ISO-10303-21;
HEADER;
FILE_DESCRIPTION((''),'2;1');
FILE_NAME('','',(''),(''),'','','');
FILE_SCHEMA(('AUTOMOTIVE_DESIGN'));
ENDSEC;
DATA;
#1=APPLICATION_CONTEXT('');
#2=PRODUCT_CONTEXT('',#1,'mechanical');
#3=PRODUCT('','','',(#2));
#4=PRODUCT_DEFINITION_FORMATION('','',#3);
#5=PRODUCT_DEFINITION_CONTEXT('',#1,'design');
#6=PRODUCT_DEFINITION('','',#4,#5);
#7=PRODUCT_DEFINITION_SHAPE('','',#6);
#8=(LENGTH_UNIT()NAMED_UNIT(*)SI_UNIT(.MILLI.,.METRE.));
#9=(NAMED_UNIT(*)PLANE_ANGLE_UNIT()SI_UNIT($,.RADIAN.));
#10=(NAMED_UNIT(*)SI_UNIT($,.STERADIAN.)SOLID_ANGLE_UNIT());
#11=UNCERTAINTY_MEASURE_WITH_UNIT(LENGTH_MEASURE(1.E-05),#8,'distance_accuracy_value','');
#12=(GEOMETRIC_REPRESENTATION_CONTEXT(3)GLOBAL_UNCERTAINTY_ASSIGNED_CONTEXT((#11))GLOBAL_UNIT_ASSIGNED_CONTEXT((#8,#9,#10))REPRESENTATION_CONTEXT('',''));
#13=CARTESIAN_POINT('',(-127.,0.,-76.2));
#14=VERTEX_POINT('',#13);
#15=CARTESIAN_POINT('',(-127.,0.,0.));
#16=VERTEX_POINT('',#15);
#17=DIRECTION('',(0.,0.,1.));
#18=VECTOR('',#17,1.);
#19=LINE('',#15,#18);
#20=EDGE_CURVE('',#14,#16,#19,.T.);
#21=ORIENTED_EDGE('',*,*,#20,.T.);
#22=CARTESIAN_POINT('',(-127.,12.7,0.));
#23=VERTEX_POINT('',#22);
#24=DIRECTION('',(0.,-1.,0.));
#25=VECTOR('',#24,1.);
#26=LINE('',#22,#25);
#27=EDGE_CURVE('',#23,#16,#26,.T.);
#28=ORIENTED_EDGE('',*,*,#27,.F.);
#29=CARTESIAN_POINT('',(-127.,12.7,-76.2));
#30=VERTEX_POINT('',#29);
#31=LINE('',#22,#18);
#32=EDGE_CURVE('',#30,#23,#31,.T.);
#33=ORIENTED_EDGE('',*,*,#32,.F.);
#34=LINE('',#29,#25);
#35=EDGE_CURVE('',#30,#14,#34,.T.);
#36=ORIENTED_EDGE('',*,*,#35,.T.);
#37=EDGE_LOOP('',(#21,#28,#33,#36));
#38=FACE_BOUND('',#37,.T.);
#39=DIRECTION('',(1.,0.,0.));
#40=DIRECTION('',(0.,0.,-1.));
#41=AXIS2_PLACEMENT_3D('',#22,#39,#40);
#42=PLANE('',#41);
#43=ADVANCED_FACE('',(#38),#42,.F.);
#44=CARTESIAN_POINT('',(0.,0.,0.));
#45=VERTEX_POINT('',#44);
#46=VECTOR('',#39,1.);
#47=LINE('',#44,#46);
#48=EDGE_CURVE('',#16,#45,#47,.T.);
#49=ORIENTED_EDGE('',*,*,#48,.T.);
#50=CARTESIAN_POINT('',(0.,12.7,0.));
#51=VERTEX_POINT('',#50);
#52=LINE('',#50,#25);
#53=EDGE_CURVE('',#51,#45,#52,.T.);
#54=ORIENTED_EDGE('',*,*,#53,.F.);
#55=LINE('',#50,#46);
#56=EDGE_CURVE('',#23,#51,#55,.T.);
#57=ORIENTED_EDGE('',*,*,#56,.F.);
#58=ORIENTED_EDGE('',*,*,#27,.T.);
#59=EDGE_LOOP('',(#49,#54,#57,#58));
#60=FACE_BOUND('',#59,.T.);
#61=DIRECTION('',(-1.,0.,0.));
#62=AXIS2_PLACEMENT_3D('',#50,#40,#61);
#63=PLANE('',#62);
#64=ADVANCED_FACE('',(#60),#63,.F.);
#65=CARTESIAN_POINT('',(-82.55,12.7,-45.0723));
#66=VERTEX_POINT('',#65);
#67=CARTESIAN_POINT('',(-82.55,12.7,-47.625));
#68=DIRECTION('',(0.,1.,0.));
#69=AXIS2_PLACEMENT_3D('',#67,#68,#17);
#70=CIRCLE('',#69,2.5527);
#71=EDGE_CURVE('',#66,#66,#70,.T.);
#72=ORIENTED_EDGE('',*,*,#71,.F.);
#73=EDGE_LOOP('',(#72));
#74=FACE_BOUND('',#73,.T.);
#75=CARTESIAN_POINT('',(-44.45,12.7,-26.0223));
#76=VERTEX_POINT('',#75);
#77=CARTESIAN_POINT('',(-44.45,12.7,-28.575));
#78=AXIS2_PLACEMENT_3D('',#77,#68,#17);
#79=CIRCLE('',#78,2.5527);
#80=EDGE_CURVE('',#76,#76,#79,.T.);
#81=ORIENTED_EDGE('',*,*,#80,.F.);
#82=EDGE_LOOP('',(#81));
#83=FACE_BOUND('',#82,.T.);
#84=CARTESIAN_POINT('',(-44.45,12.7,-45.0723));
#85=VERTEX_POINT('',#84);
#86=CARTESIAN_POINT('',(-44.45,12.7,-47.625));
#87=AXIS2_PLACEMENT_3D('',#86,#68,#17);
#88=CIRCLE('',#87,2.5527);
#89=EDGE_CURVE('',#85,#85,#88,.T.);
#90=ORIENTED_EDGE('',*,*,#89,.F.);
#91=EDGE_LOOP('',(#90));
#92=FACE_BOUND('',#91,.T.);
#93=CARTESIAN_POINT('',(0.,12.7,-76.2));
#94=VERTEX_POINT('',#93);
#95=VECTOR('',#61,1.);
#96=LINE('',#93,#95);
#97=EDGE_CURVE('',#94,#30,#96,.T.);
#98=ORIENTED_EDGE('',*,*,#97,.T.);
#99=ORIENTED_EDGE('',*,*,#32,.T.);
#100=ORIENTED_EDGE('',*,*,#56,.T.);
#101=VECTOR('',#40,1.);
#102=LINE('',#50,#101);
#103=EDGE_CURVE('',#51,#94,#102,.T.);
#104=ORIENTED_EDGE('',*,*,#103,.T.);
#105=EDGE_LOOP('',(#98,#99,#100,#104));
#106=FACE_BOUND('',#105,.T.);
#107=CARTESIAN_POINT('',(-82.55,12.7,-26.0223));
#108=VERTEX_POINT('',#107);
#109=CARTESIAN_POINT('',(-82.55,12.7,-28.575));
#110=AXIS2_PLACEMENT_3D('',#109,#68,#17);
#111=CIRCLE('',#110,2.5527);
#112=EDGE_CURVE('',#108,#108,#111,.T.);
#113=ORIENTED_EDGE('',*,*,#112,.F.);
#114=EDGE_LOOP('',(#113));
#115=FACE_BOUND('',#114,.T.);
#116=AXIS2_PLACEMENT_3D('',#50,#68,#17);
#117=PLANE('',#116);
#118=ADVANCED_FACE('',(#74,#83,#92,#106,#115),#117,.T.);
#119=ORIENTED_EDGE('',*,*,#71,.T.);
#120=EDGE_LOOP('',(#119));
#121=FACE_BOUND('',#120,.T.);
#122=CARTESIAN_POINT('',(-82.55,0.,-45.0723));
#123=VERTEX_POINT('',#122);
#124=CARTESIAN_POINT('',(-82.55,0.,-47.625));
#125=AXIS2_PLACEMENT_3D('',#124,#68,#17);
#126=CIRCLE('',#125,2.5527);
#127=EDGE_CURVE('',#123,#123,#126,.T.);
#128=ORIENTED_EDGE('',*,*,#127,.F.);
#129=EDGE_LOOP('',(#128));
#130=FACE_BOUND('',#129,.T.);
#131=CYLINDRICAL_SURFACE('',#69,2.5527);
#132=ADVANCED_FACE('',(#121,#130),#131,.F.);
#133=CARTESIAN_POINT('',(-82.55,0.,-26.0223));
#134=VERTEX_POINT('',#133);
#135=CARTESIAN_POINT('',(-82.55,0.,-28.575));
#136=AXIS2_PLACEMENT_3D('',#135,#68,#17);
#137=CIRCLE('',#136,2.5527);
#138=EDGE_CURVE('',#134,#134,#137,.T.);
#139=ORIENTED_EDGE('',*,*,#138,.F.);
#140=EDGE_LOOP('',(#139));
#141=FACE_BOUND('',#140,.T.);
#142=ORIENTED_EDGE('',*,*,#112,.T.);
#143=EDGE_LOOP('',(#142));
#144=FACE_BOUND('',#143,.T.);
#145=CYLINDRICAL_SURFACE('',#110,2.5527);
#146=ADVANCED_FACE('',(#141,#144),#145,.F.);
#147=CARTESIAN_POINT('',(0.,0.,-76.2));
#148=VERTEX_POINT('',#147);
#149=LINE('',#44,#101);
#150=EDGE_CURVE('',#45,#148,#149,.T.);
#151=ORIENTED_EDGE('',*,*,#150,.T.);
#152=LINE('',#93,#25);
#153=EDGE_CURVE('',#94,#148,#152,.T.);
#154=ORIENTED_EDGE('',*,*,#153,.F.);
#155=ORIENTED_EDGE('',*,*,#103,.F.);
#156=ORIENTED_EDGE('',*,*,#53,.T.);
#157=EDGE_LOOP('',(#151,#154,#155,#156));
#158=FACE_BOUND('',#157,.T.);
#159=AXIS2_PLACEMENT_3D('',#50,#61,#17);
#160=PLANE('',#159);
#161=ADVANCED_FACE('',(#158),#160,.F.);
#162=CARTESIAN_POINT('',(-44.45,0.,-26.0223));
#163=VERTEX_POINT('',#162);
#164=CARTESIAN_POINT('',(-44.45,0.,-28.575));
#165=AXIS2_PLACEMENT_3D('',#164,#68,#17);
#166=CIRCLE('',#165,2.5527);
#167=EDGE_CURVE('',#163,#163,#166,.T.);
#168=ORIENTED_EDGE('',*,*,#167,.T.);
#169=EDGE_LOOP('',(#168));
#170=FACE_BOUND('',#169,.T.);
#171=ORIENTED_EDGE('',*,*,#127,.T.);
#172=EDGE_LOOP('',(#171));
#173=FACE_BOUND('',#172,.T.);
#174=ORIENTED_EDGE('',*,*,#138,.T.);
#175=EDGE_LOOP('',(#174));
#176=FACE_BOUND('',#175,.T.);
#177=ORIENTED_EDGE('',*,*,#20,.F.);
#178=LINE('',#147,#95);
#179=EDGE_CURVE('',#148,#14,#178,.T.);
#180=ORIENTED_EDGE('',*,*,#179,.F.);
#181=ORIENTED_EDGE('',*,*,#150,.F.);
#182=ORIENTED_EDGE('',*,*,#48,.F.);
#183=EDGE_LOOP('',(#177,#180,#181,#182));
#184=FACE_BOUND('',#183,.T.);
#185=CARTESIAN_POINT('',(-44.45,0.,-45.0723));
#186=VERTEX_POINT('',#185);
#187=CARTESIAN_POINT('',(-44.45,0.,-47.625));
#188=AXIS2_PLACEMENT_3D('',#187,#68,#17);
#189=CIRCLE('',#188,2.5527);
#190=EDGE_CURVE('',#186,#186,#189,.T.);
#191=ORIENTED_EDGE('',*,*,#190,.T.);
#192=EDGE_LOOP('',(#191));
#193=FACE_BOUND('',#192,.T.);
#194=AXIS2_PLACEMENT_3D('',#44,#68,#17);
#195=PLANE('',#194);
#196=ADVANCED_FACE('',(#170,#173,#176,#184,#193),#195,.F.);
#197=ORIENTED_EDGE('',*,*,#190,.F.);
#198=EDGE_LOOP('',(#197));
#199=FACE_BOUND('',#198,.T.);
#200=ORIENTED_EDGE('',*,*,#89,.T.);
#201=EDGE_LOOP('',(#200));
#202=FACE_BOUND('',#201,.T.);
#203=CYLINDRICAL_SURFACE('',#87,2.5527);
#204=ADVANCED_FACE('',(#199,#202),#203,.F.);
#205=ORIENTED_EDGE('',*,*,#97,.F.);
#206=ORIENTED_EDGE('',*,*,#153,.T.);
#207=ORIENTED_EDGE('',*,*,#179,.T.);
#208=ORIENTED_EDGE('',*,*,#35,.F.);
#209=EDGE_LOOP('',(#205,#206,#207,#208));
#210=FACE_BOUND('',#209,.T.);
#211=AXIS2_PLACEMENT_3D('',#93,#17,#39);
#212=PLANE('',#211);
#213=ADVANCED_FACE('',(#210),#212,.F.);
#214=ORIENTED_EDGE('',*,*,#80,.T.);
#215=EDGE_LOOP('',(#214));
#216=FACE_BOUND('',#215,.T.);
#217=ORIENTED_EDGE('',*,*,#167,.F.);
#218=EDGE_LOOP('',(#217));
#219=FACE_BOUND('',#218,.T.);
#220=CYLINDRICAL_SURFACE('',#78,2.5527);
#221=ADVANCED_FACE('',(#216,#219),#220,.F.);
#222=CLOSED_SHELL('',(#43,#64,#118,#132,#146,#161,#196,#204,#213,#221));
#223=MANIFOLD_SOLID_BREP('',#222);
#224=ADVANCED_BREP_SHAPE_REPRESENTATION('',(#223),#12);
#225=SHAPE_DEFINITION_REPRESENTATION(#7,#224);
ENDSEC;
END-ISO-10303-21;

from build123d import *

# Parameters (mm, degrees)
SKETCH1_W                  = 127
SKETCH1_H                  = 76.2
BOSS_EXTRUDE1_DEPTH        = 12.7
F_7_0_201_DIAMETER_HOLE1_D = 5.1054


with BuildPart() as part:
    # Sketch1 → Boss-Extrude1 (new body)
    with BuildSketch(Plane(origin=(0, 0, 0), x_dir=(1, 0, 0), z_dir=(0, 1, 0))):
        with Locations((-63.5, 38.1)):
            Rectangle(SKETCH1_W, SKETCH1_H)
    extrude(amount=BOSS_EXTRUDE1_DEPTH)

    # #7 (0.201) Diameter Hole1 (through all)
    with Locations(Plane(origin=(0, 12.7, 0), x_dir=(1, 0, 0), z_dir=(0, 1, 0))):
        with Locations((-82.55, 47.625), (-82.55, 28.575), (-44.45, 28.575), (-44.45, 47.625)):
            Hole(F_7_0_201_DIAMETER_HOLE1_D / 2)


solid = part.part
